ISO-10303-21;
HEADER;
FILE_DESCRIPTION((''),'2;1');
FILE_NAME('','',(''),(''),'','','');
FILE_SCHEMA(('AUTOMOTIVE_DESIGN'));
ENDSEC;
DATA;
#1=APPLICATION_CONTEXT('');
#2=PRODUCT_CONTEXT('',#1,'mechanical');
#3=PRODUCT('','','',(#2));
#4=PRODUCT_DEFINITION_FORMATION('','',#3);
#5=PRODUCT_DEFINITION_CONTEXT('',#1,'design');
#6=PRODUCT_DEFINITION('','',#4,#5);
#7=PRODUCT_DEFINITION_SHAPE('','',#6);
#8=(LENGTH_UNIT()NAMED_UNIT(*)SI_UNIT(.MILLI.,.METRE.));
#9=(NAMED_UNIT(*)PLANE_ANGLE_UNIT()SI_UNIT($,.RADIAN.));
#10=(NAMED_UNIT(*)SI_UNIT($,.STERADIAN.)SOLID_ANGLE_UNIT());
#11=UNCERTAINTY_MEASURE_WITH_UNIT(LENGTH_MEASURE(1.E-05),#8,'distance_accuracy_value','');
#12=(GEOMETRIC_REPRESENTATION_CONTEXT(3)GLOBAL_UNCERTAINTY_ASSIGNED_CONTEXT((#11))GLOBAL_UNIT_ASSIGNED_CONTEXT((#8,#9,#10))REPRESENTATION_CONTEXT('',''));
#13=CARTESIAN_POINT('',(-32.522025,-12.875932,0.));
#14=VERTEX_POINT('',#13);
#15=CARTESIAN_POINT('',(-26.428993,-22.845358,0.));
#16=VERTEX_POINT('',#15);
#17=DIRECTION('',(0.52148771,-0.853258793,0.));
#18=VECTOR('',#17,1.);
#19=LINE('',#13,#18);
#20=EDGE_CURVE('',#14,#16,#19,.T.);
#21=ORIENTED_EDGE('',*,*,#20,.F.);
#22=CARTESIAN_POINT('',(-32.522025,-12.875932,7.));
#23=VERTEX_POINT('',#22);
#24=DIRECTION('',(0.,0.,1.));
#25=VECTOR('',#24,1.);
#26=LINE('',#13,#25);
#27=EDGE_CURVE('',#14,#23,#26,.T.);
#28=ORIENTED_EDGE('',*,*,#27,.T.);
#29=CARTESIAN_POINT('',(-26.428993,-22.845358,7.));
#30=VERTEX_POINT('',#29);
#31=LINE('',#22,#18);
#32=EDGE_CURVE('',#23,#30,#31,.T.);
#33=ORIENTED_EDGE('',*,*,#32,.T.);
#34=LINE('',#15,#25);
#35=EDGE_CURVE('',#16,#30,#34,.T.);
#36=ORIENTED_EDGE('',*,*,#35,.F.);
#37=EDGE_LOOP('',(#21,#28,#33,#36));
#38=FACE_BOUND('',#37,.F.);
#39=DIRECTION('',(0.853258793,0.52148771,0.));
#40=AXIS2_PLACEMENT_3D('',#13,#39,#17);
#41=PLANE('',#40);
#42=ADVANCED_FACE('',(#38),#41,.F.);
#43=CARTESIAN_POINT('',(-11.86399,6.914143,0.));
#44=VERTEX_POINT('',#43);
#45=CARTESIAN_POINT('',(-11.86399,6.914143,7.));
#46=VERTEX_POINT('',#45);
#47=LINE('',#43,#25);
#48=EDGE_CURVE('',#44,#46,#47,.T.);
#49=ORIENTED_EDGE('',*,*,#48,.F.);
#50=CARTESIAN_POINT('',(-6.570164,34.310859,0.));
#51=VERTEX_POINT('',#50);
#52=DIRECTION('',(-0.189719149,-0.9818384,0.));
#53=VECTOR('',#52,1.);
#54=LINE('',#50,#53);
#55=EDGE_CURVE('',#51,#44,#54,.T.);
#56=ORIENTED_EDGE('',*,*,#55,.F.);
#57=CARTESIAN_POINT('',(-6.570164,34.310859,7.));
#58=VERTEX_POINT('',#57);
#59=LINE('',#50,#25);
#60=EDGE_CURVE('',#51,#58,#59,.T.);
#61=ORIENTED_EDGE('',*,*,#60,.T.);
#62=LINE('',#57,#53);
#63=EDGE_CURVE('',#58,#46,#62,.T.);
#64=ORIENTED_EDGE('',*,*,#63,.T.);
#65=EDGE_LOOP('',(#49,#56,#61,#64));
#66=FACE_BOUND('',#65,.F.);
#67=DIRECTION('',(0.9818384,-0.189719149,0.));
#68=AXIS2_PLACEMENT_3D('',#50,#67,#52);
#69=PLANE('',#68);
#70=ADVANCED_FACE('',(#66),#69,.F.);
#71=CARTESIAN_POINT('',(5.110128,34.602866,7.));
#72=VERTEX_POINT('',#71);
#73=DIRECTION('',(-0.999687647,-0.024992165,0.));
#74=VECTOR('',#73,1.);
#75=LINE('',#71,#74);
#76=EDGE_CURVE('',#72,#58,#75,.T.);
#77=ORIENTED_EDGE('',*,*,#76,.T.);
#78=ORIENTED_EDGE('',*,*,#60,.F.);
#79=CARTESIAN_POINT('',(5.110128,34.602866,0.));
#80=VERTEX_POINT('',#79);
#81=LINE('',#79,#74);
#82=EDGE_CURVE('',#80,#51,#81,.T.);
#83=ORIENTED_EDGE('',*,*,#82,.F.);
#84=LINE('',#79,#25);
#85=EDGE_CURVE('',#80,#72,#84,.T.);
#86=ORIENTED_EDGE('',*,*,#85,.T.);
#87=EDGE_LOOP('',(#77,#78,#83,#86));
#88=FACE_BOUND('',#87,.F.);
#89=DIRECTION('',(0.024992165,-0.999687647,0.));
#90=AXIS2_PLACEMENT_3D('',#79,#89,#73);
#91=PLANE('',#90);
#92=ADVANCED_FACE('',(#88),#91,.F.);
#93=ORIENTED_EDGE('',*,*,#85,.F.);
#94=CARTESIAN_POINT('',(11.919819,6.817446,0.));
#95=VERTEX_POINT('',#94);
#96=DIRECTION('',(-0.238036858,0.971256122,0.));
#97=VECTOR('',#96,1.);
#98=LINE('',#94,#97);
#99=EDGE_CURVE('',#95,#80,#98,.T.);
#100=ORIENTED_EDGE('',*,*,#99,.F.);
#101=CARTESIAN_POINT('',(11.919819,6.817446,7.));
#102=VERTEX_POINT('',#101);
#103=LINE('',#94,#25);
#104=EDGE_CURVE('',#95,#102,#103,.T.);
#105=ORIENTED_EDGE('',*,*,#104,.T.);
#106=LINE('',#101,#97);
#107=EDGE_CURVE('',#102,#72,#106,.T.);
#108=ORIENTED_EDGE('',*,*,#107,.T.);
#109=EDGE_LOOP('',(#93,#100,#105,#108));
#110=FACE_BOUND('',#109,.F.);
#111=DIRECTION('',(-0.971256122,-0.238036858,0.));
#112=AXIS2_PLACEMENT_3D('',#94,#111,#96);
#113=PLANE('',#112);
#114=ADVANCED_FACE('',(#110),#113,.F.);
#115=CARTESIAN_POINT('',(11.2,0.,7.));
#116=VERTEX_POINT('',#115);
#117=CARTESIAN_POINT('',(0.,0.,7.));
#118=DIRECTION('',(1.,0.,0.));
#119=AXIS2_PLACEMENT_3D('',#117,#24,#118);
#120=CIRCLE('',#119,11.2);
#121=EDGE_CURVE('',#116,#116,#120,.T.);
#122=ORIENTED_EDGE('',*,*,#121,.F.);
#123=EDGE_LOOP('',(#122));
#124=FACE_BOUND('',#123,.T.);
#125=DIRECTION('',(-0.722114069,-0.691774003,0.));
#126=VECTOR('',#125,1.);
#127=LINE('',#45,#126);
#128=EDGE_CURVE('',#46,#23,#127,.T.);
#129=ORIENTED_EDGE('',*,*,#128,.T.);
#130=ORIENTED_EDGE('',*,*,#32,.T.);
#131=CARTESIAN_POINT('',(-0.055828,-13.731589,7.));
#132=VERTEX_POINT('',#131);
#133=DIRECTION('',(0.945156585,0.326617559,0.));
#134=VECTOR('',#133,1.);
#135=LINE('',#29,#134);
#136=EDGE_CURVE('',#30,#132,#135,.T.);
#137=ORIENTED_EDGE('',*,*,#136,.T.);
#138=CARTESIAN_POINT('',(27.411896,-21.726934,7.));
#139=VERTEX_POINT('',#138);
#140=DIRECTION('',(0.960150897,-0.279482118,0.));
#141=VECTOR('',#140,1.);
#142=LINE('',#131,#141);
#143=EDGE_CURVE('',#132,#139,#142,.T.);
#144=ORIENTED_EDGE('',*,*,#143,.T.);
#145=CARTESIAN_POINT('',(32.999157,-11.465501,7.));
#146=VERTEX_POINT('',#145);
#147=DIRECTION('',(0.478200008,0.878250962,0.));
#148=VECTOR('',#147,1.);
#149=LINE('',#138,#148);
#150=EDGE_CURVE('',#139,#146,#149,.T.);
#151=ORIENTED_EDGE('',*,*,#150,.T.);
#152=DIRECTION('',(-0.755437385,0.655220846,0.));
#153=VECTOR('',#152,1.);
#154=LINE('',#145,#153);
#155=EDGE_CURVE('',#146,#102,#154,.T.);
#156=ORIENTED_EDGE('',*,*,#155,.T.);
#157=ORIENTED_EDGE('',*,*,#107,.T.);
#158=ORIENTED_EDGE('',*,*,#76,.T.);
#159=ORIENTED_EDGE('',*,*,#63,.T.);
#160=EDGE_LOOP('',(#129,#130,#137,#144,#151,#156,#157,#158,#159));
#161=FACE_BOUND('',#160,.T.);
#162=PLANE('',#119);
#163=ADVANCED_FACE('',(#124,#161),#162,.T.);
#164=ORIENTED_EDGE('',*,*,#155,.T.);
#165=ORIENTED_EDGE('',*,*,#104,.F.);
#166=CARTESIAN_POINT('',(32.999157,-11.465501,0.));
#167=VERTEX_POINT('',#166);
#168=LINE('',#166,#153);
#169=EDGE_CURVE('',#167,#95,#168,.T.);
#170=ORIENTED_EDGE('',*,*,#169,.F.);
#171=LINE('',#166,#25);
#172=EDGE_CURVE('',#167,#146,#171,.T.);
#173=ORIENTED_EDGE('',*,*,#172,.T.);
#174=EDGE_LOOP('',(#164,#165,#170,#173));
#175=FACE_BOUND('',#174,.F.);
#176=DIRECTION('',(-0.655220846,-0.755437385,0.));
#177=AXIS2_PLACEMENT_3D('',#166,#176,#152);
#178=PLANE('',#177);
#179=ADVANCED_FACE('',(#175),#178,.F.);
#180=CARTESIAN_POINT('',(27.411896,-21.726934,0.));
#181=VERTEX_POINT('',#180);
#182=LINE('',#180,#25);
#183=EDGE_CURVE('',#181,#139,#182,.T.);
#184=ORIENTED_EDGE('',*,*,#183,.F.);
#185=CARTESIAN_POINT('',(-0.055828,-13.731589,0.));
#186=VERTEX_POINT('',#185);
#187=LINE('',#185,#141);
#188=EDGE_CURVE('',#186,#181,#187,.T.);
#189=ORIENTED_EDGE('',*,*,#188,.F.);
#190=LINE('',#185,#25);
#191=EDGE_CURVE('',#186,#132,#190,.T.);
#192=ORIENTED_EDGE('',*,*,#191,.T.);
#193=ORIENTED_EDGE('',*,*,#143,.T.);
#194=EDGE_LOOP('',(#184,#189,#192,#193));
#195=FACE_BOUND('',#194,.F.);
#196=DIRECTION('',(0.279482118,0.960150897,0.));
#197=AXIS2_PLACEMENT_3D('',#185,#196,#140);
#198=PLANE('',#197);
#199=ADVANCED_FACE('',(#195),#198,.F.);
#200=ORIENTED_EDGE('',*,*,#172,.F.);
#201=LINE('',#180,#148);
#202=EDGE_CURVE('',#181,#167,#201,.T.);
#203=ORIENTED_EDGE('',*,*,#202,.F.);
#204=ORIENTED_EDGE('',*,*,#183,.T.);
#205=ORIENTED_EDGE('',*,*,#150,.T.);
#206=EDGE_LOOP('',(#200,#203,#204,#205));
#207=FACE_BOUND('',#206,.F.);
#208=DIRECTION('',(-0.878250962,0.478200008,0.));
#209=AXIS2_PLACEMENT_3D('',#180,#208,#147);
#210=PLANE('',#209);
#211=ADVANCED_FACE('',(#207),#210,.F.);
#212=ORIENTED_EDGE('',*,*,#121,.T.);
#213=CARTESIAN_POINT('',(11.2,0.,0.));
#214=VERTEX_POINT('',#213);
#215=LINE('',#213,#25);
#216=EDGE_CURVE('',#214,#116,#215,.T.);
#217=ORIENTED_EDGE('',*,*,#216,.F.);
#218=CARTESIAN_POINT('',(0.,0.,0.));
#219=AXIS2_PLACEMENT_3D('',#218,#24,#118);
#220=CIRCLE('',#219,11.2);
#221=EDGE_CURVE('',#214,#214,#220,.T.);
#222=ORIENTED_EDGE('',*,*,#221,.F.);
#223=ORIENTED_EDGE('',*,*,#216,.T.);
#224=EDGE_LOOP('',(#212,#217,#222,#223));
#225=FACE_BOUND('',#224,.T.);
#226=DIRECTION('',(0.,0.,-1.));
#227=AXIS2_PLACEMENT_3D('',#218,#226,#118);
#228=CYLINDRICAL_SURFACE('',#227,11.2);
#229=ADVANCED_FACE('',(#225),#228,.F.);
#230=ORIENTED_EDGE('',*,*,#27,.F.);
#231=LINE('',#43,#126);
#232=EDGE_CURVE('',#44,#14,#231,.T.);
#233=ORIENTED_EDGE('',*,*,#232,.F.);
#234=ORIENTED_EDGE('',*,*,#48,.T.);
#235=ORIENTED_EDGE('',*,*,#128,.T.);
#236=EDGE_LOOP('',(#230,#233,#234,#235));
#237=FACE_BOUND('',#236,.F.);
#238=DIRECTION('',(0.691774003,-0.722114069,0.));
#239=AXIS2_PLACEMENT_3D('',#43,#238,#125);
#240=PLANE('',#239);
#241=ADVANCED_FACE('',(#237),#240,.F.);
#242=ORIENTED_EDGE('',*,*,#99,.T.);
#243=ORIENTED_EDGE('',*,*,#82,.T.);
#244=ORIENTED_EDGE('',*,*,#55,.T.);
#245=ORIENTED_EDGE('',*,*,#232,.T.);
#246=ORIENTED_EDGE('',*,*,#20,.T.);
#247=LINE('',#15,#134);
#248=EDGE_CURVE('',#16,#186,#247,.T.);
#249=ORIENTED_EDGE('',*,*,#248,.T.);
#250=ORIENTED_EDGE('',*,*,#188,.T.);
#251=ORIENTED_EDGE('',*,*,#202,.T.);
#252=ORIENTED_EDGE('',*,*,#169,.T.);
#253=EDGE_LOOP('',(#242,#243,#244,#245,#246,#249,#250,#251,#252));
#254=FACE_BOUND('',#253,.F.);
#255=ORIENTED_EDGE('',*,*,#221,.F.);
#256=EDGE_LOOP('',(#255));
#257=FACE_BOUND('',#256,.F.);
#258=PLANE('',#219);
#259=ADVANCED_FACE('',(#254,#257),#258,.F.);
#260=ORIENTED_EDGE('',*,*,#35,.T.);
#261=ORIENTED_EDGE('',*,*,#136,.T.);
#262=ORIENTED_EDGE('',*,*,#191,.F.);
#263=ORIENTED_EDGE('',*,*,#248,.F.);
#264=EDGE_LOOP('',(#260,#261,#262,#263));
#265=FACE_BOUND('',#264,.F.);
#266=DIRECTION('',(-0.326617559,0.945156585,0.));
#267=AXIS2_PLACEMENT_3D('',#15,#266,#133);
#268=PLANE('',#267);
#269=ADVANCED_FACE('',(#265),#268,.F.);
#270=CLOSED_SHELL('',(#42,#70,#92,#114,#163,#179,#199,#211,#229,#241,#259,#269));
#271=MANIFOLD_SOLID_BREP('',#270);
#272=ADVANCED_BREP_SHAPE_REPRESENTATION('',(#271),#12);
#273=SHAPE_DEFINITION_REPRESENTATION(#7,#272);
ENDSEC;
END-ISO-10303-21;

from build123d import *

# Parameters (mm, degrees)
F0_R     = 11.2
F1_DEPTH = 7


with BuildPart() as f1:
    # F0 (on Top) → F1 (new body)
    with BuildSketch(Plane.XY):
        Polygon((11.919819, 6.817446), (5.110128, 34.602866), (-6.570164, 34.310859), (-11.86399, 6.914143), (-32.522025, -12.875932), (-26.428993, -22.845358), (-0.055828, -13.731589), (27.411896, -21.726934), (32.999157, -11.465501), align=None)
        Circle(F0_R, mode=Mode.SUBTRACT)
    extrude(amount=F1_DEPTH)


solid = f1.part
